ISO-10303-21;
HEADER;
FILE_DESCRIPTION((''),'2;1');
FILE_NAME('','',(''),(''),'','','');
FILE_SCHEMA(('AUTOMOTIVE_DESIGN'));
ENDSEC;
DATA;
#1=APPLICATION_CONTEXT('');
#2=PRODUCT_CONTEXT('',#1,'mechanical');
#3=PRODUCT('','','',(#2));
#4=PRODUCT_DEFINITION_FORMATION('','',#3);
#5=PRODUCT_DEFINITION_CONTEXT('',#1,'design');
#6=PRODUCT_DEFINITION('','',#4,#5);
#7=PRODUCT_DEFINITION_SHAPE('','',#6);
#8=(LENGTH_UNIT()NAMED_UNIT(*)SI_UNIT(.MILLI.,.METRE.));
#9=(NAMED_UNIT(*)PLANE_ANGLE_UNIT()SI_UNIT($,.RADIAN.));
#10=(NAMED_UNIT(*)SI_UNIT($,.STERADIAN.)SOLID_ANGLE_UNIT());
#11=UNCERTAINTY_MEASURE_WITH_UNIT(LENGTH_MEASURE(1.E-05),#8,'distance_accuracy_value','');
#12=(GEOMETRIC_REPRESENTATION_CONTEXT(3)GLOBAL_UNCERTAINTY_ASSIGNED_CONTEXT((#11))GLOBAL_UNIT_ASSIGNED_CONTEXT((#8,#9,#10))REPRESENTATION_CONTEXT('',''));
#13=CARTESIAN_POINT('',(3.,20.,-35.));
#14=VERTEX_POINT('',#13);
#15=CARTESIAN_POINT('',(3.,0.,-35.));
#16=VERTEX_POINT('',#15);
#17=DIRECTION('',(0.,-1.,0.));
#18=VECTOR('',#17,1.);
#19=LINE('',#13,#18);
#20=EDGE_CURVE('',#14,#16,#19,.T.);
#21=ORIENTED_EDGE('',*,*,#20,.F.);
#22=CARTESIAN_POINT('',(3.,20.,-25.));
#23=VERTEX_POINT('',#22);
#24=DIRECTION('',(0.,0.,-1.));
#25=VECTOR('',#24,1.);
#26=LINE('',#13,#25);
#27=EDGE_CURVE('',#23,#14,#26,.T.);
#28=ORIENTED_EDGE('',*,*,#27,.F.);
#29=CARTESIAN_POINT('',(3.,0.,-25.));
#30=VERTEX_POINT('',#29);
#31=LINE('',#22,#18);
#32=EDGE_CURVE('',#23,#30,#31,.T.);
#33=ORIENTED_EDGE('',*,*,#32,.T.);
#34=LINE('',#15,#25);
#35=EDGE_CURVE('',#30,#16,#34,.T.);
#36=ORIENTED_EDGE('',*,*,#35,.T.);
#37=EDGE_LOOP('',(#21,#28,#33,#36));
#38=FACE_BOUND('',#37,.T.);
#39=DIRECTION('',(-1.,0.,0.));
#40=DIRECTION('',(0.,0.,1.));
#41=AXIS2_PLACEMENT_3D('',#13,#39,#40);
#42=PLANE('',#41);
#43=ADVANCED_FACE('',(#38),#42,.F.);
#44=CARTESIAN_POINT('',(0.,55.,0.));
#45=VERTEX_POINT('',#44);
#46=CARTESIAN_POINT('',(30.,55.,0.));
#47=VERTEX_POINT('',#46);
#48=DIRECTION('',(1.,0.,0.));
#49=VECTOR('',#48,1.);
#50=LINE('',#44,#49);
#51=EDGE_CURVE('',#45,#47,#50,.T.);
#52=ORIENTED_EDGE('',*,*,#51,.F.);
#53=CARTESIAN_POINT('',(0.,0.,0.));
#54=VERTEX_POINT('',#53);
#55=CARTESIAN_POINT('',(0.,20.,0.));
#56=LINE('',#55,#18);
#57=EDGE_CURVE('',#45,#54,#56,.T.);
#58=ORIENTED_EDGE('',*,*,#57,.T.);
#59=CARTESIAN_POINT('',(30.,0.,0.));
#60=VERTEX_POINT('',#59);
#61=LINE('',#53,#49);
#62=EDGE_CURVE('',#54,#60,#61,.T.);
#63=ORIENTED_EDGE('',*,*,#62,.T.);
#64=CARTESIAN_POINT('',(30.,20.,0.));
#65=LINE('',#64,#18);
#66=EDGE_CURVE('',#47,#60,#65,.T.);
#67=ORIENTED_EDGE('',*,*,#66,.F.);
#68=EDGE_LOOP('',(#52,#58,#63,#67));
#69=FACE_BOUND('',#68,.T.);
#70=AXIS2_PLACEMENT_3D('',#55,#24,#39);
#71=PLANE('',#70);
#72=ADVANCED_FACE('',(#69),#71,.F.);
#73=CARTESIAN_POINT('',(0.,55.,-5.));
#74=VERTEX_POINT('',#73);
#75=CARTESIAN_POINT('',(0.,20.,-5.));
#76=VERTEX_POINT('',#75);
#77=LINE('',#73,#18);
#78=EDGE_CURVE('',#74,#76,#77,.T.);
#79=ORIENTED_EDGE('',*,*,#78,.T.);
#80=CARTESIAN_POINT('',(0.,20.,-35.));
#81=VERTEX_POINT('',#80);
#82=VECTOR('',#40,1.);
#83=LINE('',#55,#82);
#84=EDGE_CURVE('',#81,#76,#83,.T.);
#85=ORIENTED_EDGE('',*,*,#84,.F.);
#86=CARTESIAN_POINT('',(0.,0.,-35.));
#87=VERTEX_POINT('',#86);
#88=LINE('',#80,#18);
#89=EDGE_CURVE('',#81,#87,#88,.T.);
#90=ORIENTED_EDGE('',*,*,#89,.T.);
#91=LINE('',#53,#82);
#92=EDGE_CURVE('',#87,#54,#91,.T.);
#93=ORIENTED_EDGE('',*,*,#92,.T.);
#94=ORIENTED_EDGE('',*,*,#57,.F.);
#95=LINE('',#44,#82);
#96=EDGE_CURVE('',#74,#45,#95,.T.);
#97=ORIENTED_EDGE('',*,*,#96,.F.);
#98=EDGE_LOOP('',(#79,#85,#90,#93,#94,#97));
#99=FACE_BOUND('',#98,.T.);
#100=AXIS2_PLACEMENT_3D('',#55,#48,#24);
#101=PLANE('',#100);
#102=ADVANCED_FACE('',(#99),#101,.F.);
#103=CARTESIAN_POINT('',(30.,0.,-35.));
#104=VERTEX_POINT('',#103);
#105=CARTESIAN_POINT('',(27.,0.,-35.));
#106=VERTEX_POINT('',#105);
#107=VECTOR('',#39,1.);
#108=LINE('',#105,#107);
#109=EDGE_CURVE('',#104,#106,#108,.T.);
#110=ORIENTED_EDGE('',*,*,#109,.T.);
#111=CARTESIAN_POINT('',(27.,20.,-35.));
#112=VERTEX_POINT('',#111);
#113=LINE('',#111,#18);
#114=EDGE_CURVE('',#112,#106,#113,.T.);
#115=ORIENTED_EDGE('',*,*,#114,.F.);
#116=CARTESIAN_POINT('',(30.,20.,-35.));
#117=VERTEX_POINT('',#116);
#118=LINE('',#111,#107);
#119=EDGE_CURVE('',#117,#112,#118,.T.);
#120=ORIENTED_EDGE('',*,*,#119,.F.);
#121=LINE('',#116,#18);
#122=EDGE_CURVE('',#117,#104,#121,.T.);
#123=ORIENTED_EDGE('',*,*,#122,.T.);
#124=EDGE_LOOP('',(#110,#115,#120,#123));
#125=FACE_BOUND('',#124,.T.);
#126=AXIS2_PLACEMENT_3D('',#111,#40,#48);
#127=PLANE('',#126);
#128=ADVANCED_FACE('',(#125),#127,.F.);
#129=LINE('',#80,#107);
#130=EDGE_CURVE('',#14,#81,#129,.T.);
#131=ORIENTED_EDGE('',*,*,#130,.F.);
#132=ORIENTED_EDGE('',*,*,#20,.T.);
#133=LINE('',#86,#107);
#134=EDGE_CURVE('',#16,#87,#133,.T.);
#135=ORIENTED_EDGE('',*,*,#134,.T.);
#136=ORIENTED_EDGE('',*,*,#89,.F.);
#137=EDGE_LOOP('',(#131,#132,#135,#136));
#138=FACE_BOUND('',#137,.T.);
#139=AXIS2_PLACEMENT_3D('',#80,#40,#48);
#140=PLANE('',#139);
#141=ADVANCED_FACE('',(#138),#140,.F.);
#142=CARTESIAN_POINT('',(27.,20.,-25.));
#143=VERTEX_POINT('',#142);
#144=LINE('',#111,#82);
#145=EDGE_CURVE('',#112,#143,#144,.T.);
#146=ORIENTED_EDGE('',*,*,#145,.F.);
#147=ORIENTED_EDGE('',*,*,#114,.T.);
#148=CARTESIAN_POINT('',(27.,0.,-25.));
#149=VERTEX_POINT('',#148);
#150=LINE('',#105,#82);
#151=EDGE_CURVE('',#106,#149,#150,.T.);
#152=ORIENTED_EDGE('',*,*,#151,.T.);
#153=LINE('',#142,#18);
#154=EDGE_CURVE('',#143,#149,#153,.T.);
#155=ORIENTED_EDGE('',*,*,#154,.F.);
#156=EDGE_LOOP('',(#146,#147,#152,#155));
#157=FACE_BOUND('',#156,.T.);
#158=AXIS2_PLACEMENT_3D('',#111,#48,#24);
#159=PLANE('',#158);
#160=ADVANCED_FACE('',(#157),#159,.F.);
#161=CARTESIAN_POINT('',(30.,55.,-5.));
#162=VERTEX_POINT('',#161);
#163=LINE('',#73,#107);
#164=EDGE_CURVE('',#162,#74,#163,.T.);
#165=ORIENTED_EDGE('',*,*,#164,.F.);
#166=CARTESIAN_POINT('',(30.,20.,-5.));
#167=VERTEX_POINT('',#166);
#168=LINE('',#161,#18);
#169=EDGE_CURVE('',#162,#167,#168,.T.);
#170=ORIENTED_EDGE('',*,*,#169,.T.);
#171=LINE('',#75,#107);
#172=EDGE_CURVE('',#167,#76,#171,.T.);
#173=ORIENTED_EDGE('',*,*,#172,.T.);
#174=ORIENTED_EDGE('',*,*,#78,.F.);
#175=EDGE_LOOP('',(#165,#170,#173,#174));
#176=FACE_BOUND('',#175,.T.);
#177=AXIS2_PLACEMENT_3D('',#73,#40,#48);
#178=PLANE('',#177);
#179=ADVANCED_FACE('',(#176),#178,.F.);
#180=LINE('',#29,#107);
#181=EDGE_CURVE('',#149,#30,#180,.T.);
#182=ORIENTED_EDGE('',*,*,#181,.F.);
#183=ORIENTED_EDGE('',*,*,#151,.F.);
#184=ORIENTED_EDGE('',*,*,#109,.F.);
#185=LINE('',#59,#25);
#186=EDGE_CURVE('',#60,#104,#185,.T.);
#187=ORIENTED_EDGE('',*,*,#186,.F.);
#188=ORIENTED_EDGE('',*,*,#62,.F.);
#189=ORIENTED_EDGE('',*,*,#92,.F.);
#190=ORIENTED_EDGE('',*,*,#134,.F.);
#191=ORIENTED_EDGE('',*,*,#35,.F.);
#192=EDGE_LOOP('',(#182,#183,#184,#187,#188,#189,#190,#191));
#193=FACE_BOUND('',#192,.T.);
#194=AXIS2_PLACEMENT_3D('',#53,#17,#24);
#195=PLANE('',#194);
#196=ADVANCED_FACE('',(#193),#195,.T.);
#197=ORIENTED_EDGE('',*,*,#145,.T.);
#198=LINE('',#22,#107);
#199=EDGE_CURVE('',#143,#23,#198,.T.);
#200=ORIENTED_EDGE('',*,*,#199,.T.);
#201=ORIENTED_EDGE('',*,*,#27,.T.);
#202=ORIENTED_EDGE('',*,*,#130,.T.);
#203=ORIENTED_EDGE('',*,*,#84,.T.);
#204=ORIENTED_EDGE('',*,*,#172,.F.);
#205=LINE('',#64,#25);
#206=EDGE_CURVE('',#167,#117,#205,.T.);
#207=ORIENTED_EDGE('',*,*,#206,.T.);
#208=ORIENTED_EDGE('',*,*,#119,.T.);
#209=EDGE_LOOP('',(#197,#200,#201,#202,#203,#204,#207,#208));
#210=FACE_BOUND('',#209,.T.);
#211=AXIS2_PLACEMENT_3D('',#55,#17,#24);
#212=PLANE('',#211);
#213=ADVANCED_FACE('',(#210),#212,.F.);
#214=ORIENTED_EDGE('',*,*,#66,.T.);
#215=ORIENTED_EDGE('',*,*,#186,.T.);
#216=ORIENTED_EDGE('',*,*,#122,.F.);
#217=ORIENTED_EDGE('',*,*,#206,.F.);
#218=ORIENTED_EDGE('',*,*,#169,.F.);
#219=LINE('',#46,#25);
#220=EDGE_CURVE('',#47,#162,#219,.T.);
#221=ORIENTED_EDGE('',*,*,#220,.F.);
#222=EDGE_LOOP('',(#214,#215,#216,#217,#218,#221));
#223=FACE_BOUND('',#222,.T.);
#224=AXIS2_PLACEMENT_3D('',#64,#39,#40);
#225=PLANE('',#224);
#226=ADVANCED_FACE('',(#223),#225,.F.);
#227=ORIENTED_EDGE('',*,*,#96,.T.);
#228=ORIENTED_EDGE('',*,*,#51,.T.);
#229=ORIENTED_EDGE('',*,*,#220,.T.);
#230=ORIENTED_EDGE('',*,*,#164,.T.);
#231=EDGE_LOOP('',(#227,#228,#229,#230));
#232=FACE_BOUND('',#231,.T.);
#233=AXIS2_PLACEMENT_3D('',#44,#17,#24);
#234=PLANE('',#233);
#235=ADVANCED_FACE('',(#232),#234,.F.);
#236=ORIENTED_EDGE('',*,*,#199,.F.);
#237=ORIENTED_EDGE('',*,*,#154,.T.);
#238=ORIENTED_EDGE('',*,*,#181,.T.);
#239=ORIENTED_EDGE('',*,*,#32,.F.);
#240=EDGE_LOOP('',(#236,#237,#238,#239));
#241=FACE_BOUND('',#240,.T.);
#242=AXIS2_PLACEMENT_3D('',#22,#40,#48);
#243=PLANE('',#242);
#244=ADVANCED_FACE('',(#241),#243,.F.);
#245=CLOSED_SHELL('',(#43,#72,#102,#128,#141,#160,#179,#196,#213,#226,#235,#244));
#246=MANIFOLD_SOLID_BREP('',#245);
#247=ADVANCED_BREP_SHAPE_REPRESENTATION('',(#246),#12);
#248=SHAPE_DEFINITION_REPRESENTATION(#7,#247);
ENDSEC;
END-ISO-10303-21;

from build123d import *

# Parameters (mm, degrees)
BOSS_EXTRUDE1_DEPTH = 20
SKETCH4_W           = 30
SKETCH4_H           = 5
BOSS_EXTRUDE3_DEPTH = 35


with BuildPart() as part:
    # Sketch1 → Boss-Extrude1 (new body)
    with BuildSketch(Plane(origin=(0, 0, 0), x_dir=(1, 0, 0), z_dir=(0, 1, 0))):
        Polygon((27, 35), (30, 35), (30, 0), (0, 0), (0, 35), (3, 35), (3, 25), (27, 25), align=None)
    extrude(amount=BOSS_EXTRUDE1_DEPTH)

    # Sketch4 → Boss-Extrude3 (add)
    with BuildSketch(Plane(origin=(0, 20, 0), x_dir=(1, 0, 0), z_dir=(0, 1, 0))):
        with Locations((15, 2.5)):
            Rectangle(SKETCH4_W, SKETCH4_H)
    extrude(amount=BOSS_EXTRUDE3_DEPTH)


solid = part.part
